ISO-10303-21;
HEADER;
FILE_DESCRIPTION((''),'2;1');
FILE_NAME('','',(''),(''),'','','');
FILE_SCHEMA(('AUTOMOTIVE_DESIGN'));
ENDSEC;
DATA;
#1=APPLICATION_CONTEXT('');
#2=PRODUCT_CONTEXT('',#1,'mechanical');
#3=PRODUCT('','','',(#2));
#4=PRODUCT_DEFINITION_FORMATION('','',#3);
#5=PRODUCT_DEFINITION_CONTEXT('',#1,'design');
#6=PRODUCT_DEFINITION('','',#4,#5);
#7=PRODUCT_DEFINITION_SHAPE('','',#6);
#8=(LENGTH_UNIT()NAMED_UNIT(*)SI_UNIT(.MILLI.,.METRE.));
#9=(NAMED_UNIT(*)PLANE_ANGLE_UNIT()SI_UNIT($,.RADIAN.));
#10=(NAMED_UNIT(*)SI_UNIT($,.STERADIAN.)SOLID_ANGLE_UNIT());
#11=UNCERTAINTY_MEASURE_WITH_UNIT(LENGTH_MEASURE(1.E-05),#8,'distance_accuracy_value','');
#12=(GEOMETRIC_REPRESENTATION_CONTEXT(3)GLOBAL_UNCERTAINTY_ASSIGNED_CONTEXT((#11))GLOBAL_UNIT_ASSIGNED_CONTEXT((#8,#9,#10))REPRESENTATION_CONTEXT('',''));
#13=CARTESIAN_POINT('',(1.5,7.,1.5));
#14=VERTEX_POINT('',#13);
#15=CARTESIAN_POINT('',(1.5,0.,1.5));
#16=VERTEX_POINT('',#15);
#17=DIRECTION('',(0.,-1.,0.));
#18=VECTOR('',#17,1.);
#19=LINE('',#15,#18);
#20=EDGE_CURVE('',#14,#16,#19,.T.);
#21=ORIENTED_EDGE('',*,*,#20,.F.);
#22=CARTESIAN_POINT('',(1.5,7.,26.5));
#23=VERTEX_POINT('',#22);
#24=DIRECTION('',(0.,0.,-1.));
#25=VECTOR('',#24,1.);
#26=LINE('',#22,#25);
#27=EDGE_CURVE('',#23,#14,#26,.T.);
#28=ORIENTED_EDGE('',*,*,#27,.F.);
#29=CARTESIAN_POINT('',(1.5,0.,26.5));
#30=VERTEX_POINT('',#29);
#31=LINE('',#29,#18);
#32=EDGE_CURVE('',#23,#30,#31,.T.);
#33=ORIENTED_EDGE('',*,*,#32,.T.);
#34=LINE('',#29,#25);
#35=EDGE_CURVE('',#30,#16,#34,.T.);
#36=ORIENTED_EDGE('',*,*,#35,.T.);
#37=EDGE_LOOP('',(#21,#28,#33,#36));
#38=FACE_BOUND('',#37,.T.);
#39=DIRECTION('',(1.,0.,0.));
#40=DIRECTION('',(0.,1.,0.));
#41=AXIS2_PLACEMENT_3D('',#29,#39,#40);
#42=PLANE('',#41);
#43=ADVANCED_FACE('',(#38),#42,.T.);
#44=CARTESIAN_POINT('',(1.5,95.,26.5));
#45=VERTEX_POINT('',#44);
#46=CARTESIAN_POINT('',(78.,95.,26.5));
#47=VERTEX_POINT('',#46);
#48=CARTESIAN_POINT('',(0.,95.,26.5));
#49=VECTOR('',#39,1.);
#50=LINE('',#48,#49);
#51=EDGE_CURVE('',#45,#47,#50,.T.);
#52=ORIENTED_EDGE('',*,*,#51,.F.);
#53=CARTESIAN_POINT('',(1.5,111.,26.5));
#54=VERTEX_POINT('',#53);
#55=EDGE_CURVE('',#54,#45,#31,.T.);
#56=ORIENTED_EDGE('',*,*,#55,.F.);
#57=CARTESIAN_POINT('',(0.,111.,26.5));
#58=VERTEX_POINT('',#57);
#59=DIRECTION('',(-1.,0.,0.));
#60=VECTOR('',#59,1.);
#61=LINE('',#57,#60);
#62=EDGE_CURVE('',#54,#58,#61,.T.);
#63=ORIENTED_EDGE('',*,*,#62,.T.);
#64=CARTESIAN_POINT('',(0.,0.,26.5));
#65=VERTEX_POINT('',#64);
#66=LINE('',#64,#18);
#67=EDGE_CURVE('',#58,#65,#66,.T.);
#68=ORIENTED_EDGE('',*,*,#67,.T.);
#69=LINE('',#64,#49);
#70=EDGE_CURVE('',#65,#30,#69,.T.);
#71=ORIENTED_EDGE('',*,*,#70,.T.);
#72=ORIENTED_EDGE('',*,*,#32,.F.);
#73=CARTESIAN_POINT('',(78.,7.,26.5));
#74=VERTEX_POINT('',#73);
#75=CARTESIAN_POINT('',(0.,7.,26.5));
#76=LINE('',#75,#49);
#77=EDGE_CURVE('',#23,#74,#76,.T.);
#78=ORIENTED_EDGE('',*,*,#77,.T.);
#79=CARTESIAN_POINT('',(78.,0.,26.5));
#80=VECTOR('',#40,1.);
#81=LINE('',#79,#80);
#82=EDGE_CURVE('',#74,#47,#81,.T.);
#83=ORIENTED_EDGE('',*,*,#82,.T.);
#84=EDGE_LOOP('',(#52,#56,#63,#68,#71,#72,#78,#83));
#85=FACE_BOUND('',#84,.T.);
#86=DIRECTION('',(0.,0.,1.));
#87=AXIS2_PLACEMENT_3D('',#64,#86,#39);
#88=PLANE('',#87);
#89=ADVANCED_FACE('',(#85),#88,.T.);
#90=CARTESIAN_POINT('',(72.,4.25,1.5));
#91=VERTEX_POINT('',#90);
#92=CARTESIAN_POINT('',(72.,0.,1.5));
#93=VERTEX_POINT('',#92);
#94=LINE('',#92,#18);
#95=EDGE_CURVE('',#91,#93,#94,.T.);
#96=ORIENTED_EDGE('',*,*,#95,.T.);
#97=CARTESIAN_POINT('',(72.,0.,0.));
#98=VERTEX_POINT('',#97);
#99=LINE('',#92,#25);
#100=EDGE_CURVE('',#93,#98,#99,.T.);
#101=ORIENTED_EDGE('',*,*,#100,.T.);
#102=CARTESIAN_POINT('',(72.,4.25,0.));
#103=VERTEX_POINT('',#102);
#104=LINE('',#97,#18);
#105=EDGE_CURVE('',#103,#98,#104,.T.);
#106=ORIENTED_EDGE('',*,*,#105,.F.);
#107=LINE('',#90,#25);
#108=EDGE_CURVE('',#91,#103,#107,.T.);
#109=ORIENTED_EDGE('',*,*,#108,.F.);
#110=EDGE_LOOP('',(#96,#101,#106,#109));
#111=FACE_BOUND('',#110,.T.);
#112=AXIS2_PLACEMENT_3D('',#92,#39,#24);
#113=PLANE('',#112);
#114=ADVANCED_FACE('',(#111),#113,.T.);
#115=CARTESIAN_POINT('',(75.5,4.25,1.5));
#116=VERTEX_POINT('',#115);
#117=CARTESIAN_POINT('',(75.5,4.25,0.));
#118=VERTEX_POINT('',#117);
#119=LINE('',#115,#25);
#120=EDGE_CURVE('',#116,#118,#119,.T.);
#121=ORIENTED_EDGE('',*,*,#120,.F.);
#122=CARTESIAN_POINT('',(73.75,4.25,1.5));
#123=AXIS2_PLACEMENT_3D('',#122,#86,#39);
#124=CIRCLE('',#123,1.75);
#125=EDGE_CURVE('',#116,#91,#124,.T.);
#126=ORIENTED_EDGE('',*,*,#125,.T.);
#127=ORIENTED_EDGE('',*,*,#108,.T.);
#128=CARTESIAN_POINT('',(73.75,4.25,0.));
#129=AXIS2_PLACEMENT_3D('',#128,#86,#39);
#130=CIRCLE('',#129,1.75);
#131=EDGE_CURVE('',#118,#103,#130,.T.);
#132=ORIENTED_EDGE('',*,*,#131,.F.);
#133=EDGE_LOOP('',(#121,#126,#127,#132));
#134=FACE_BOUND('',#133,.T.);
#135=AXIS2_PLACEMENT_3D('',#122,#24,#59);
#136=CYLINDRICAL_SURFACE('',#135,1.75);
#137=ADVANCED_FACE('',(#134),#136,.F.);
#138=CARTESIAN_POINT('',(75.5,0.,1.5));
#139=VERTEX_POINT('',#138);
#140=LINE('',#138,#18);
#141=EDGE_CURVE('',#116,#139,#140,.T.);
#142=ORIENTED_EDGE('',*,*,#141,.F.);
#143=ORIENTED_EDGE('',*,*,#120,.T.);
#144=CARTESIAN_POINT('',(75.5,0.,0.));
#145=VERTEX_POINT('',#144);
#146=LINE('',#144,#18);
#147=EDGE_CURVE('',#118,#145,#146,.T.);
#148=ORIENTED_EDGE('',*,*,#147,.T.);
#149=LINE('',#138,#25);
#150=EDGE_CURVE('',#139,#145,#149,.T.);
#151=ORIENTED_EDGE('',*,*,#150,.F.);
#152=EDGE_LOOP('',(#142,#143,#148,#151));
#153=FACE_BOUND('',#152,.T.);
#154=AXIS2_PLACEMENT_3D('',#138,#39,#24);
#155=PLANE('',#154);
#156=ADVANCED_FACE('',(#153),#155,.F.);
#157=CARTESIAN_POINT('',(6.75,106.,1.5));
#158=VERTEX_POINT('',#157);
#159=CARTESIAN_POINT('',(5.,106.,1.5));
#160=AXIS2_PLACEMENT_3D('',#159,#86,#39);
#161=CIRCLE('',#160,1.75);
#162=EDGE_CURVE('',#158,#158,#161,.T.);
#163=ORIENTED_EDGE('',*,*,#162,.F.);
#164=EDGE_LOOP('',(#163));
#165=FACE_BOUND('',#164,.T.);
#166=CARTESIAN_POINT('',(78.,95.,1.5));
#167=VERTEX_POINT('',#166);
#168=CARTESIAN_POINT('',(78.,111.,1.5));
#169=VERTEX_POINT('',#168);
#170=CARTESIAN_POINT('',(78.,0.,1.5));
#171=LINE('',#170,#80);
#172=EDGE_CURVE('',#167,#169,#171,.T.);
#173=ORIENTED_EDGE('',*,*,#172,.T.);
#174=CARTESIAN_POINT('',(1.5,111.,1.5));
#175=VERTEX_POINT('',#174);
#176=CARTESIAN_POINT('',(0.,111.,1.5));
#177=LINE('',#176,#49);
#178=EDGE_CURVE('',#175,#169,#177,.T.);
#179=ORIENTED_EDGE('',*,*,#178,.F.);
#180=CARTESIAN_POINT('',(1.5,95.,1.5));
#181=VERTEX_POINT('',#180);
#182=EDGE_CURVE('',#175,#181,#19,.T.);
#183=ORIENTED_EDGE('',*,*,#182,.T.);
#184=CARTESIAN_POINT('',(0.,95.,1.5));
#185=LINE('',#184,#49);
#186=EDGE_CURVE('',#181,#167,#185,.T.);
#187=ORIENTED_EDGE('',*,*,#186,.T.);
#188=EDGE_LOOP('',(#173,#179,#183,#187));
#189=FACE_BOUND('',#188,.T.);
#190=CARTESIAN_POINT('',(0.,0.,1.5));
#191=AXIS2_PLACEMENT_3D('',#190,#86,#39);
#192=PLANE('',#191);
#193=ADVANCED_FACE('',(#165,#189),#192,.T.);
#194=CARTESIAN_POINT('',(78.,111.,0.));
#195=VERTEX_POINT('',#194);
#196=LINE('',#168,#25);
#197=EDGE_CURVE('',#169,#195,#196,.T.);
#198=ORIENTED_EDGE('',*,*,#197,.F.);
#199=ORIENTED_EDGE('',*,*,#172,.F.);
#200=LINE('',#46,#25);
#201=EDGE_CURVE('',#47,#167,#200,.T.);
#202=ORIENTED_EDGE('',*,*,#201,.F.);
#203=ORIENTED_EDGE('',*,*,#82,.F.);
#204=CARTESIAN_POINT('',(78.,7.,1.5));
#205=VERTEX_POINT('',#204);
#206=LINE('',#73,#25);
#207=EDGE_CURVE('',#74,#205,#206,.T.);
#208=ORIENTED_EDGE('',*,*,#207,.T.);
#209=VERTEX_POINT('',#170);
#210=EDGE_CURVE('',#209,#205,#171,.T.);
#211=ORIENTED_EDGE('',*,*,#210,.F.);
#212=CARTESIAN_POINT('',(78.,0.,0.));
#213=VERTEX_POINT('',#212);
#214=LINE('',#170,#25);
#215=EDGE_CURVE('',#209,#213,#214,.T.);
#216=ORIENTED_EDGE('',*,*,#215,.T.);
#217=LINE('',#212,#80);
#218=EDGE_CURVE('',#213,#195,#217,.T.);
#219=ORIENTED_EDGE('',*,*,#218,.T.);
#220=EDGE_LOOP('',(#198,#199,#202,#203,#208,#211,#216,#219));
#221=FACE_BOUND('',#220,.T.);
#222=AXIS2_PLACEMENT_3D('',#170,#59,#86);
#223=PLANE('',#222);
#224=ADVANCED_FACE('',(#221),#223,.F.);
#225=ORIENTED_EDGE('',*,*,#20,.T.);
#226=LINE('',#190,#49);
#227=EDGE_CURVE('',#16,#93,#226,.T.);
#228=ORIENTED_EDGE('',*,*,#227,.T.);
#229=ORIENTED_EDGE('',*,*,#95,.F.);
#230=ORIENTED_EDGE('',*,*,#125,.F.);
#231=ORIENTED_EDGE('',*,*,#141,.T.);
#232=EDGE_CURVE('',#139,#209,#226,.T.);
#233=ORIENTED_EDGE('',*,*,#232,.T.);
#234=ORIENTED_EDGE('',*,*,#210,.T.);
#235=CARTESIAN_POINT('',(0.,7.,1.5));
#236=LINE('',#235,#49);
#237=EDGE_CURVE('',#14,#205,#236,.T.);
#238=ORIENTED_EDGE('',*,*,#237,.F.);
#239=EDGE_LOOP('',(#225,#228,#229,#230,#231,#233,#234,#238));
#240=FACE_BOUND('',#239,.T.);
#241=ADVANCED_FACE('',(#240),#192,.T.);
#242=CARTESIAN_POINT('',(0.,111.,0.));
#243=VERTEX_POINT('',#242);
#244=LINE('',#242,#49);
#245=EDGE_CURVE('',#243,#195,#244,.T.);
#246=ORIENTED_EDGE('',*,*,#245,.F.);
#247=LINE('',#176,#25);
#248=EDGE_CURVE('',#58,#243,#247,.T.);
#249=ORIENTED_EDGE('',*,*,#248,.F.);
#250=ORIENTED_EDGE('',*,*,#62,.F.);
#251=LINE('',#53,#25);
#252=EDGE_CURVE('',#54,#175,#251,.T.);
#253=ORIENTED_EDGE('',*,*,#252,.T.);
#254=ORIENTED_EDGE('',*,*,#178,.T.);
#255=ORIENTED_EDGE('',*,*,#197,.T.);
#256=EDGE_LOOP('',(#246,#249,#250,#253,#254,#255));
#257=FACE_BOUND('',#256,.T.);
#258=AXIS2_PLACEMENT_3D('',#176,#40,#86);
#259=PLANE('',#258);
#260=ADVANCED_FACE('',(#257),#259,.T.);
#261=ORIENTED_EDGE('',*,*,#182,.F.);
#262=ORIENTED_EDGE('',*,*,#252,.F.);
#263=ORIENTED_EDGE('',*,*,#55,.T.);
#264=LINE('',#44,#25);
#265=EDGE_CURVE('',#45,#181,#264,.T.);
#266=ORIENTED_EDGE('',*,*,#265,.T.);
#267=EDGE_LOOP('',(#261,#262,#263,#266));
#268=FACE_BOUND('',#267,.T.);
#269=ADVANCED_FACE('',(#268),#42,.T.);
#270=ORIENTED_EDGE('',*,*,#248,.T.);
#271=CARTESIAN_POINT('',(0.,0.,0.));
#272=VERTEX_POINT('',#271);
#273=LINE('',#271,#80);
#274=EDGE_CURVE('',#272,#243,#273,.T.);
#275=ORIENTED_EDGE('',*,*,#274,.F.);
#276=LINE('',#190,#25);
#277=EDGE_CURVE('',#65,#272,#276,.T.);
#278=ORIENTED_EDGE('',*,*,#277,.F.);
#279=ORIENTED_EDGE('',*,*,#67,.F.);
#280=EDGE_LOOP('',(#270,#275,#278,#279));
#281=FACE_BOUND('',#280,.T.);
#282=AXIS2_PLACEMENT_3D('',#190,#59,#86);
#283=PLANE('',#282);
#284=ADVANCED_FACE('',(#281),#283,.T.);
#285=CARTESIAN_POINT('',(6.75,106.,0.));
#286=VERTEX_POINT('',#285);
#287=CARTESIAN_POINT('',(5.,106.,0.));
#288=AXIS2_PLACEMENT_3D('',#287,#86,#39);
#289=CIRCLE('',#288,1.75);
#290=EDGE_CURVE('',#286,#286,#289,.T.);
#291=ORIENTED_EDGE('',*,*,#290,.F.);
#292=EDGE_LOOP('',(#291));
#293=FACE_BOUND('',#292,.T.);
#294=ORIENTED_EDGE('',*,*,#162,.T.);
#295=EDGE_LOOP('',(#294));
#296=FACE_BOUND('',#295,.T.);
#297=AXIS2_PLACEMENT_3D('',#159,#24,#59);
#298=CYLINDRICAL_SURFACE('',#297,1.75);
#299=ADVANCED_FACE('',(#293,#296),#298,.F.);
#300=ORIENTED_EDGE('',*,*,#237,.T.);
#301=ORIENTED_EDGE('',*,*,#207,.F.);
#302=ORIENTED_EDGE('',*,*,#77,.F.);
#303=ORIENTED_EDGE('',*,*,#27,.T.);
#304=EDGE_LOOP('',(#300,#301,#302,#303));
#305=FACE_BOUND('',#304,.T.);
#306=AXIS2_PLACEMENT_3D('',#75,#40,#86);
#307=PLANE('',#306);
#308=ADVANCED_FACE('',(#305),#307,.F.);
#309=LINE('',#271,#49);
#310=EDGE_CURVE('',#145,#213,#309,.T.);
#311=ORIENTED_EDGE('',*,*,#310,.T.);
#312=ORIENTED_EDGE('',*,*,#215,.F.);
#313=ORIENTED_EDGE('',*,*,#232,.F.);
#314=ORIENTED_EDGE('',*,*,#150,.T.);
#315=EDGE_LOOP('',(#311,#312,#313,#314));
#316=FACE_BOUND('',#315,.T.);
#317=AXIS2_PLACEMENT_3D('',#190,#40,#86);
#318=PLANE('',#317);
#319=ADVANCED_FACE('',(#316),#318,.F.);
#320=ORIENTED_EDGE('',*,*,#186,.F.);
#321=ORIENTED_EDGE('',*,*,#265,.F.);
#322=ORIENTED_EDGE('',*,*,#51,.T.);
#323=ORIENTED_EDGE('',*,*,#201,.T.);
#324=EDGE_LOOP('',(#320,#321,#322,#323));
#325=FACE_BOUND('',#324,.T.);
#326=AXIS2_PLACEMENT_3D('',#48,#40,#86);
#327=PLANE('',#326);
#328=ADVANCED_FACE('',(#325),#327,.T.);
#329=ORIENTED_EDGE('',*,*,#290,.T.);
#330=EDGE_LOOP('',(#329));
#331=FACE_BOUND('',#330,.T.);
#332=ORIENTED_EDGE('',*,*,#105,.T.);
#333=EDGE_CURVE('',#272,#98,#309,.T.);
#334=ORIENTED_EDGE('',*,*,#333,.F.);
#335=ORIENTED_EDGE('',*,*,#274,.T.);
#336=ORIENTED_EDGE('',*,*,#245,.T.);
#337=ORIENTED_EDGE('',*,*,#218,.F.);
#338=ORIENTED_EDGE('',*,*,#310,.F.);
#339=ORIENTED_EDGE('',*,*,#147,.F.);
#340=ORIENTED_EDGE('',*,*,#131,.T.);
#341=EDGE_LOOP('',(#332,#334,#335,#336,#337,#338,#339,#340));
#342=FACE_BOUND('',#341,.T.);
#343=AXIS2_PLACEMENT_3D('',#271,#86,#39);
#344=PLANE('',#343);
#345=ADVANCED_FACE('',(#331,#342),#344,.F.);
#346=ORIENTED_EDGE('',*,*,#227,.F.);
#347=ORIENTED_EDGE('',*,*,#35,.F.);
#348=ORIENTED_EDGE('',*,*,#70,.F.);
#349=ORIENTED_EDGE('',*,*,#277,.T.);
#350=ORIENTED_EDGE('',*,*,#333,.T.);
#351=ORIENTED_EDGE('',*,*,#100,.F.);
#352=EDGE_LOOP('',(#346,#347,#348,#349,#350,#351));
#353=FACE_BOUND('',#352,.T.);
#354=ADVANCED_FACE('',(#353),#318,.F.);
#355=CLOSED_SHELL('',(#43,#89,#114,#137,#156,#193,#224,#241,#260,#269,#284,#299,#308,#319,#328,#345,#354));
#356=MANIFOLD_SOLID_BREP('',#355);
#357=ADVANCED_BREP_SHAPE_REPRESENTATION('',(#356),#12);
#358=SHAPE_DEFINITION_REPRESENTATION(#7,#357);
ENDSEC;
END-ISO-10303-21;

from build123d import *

# Parameters (mm, degrees)
ESQUISSE1_R        = 1.75
BOSS_EXTRU_1_DEPTH = 1.5
ESQUISSE2_W        = 76.5
ESQUISSE2_H        = 88
BOSS_EXTRU_2_DEPTH = 25


with BuildPart() as part:
    # Esquisse1 → Boss.-Extru.1 (new body)
    with BuildSketch(Plane.XY):
        with BuildLine():
            Line((72, 0), (72, 4.25))
            ThreePointArc((72, 4.25), (73.75, 6), (75.5, 4.25))
            Line((75.5, 4.25), (75.5, 0))
            Line((75.5, 0), (78, 0))
            Line((78, 0), (78, 111))
            Line((78, 111), (0, 111))
            Line((0, 111), (0, 0))
            Line((0, 0), (72, 0))
        make_face()
        with Locations((5, 106)):
            Circle(ESQUISSE1_R, mode=Mode.SUBTRACT)
    extrude(amount=BOSS_EXTRU_1_DEPTH)

    # Esquisse2 → Boss.-Extru.2 (add)
    with BuildSketch(Plane.XY.offset(1.5)):
        with Locations((39.75, 51)):
            Rectangle(ESQUISSE2_W, ESQUISSE2_H)
        Polygon((1.5, 111), (0, 111), (0, 0), (1.5, 0), (1.5, 7), (1.5, 95), align=None)
    extrude(amount=BOSS_EXTRU_2_DEPTH)


solid = part.part
